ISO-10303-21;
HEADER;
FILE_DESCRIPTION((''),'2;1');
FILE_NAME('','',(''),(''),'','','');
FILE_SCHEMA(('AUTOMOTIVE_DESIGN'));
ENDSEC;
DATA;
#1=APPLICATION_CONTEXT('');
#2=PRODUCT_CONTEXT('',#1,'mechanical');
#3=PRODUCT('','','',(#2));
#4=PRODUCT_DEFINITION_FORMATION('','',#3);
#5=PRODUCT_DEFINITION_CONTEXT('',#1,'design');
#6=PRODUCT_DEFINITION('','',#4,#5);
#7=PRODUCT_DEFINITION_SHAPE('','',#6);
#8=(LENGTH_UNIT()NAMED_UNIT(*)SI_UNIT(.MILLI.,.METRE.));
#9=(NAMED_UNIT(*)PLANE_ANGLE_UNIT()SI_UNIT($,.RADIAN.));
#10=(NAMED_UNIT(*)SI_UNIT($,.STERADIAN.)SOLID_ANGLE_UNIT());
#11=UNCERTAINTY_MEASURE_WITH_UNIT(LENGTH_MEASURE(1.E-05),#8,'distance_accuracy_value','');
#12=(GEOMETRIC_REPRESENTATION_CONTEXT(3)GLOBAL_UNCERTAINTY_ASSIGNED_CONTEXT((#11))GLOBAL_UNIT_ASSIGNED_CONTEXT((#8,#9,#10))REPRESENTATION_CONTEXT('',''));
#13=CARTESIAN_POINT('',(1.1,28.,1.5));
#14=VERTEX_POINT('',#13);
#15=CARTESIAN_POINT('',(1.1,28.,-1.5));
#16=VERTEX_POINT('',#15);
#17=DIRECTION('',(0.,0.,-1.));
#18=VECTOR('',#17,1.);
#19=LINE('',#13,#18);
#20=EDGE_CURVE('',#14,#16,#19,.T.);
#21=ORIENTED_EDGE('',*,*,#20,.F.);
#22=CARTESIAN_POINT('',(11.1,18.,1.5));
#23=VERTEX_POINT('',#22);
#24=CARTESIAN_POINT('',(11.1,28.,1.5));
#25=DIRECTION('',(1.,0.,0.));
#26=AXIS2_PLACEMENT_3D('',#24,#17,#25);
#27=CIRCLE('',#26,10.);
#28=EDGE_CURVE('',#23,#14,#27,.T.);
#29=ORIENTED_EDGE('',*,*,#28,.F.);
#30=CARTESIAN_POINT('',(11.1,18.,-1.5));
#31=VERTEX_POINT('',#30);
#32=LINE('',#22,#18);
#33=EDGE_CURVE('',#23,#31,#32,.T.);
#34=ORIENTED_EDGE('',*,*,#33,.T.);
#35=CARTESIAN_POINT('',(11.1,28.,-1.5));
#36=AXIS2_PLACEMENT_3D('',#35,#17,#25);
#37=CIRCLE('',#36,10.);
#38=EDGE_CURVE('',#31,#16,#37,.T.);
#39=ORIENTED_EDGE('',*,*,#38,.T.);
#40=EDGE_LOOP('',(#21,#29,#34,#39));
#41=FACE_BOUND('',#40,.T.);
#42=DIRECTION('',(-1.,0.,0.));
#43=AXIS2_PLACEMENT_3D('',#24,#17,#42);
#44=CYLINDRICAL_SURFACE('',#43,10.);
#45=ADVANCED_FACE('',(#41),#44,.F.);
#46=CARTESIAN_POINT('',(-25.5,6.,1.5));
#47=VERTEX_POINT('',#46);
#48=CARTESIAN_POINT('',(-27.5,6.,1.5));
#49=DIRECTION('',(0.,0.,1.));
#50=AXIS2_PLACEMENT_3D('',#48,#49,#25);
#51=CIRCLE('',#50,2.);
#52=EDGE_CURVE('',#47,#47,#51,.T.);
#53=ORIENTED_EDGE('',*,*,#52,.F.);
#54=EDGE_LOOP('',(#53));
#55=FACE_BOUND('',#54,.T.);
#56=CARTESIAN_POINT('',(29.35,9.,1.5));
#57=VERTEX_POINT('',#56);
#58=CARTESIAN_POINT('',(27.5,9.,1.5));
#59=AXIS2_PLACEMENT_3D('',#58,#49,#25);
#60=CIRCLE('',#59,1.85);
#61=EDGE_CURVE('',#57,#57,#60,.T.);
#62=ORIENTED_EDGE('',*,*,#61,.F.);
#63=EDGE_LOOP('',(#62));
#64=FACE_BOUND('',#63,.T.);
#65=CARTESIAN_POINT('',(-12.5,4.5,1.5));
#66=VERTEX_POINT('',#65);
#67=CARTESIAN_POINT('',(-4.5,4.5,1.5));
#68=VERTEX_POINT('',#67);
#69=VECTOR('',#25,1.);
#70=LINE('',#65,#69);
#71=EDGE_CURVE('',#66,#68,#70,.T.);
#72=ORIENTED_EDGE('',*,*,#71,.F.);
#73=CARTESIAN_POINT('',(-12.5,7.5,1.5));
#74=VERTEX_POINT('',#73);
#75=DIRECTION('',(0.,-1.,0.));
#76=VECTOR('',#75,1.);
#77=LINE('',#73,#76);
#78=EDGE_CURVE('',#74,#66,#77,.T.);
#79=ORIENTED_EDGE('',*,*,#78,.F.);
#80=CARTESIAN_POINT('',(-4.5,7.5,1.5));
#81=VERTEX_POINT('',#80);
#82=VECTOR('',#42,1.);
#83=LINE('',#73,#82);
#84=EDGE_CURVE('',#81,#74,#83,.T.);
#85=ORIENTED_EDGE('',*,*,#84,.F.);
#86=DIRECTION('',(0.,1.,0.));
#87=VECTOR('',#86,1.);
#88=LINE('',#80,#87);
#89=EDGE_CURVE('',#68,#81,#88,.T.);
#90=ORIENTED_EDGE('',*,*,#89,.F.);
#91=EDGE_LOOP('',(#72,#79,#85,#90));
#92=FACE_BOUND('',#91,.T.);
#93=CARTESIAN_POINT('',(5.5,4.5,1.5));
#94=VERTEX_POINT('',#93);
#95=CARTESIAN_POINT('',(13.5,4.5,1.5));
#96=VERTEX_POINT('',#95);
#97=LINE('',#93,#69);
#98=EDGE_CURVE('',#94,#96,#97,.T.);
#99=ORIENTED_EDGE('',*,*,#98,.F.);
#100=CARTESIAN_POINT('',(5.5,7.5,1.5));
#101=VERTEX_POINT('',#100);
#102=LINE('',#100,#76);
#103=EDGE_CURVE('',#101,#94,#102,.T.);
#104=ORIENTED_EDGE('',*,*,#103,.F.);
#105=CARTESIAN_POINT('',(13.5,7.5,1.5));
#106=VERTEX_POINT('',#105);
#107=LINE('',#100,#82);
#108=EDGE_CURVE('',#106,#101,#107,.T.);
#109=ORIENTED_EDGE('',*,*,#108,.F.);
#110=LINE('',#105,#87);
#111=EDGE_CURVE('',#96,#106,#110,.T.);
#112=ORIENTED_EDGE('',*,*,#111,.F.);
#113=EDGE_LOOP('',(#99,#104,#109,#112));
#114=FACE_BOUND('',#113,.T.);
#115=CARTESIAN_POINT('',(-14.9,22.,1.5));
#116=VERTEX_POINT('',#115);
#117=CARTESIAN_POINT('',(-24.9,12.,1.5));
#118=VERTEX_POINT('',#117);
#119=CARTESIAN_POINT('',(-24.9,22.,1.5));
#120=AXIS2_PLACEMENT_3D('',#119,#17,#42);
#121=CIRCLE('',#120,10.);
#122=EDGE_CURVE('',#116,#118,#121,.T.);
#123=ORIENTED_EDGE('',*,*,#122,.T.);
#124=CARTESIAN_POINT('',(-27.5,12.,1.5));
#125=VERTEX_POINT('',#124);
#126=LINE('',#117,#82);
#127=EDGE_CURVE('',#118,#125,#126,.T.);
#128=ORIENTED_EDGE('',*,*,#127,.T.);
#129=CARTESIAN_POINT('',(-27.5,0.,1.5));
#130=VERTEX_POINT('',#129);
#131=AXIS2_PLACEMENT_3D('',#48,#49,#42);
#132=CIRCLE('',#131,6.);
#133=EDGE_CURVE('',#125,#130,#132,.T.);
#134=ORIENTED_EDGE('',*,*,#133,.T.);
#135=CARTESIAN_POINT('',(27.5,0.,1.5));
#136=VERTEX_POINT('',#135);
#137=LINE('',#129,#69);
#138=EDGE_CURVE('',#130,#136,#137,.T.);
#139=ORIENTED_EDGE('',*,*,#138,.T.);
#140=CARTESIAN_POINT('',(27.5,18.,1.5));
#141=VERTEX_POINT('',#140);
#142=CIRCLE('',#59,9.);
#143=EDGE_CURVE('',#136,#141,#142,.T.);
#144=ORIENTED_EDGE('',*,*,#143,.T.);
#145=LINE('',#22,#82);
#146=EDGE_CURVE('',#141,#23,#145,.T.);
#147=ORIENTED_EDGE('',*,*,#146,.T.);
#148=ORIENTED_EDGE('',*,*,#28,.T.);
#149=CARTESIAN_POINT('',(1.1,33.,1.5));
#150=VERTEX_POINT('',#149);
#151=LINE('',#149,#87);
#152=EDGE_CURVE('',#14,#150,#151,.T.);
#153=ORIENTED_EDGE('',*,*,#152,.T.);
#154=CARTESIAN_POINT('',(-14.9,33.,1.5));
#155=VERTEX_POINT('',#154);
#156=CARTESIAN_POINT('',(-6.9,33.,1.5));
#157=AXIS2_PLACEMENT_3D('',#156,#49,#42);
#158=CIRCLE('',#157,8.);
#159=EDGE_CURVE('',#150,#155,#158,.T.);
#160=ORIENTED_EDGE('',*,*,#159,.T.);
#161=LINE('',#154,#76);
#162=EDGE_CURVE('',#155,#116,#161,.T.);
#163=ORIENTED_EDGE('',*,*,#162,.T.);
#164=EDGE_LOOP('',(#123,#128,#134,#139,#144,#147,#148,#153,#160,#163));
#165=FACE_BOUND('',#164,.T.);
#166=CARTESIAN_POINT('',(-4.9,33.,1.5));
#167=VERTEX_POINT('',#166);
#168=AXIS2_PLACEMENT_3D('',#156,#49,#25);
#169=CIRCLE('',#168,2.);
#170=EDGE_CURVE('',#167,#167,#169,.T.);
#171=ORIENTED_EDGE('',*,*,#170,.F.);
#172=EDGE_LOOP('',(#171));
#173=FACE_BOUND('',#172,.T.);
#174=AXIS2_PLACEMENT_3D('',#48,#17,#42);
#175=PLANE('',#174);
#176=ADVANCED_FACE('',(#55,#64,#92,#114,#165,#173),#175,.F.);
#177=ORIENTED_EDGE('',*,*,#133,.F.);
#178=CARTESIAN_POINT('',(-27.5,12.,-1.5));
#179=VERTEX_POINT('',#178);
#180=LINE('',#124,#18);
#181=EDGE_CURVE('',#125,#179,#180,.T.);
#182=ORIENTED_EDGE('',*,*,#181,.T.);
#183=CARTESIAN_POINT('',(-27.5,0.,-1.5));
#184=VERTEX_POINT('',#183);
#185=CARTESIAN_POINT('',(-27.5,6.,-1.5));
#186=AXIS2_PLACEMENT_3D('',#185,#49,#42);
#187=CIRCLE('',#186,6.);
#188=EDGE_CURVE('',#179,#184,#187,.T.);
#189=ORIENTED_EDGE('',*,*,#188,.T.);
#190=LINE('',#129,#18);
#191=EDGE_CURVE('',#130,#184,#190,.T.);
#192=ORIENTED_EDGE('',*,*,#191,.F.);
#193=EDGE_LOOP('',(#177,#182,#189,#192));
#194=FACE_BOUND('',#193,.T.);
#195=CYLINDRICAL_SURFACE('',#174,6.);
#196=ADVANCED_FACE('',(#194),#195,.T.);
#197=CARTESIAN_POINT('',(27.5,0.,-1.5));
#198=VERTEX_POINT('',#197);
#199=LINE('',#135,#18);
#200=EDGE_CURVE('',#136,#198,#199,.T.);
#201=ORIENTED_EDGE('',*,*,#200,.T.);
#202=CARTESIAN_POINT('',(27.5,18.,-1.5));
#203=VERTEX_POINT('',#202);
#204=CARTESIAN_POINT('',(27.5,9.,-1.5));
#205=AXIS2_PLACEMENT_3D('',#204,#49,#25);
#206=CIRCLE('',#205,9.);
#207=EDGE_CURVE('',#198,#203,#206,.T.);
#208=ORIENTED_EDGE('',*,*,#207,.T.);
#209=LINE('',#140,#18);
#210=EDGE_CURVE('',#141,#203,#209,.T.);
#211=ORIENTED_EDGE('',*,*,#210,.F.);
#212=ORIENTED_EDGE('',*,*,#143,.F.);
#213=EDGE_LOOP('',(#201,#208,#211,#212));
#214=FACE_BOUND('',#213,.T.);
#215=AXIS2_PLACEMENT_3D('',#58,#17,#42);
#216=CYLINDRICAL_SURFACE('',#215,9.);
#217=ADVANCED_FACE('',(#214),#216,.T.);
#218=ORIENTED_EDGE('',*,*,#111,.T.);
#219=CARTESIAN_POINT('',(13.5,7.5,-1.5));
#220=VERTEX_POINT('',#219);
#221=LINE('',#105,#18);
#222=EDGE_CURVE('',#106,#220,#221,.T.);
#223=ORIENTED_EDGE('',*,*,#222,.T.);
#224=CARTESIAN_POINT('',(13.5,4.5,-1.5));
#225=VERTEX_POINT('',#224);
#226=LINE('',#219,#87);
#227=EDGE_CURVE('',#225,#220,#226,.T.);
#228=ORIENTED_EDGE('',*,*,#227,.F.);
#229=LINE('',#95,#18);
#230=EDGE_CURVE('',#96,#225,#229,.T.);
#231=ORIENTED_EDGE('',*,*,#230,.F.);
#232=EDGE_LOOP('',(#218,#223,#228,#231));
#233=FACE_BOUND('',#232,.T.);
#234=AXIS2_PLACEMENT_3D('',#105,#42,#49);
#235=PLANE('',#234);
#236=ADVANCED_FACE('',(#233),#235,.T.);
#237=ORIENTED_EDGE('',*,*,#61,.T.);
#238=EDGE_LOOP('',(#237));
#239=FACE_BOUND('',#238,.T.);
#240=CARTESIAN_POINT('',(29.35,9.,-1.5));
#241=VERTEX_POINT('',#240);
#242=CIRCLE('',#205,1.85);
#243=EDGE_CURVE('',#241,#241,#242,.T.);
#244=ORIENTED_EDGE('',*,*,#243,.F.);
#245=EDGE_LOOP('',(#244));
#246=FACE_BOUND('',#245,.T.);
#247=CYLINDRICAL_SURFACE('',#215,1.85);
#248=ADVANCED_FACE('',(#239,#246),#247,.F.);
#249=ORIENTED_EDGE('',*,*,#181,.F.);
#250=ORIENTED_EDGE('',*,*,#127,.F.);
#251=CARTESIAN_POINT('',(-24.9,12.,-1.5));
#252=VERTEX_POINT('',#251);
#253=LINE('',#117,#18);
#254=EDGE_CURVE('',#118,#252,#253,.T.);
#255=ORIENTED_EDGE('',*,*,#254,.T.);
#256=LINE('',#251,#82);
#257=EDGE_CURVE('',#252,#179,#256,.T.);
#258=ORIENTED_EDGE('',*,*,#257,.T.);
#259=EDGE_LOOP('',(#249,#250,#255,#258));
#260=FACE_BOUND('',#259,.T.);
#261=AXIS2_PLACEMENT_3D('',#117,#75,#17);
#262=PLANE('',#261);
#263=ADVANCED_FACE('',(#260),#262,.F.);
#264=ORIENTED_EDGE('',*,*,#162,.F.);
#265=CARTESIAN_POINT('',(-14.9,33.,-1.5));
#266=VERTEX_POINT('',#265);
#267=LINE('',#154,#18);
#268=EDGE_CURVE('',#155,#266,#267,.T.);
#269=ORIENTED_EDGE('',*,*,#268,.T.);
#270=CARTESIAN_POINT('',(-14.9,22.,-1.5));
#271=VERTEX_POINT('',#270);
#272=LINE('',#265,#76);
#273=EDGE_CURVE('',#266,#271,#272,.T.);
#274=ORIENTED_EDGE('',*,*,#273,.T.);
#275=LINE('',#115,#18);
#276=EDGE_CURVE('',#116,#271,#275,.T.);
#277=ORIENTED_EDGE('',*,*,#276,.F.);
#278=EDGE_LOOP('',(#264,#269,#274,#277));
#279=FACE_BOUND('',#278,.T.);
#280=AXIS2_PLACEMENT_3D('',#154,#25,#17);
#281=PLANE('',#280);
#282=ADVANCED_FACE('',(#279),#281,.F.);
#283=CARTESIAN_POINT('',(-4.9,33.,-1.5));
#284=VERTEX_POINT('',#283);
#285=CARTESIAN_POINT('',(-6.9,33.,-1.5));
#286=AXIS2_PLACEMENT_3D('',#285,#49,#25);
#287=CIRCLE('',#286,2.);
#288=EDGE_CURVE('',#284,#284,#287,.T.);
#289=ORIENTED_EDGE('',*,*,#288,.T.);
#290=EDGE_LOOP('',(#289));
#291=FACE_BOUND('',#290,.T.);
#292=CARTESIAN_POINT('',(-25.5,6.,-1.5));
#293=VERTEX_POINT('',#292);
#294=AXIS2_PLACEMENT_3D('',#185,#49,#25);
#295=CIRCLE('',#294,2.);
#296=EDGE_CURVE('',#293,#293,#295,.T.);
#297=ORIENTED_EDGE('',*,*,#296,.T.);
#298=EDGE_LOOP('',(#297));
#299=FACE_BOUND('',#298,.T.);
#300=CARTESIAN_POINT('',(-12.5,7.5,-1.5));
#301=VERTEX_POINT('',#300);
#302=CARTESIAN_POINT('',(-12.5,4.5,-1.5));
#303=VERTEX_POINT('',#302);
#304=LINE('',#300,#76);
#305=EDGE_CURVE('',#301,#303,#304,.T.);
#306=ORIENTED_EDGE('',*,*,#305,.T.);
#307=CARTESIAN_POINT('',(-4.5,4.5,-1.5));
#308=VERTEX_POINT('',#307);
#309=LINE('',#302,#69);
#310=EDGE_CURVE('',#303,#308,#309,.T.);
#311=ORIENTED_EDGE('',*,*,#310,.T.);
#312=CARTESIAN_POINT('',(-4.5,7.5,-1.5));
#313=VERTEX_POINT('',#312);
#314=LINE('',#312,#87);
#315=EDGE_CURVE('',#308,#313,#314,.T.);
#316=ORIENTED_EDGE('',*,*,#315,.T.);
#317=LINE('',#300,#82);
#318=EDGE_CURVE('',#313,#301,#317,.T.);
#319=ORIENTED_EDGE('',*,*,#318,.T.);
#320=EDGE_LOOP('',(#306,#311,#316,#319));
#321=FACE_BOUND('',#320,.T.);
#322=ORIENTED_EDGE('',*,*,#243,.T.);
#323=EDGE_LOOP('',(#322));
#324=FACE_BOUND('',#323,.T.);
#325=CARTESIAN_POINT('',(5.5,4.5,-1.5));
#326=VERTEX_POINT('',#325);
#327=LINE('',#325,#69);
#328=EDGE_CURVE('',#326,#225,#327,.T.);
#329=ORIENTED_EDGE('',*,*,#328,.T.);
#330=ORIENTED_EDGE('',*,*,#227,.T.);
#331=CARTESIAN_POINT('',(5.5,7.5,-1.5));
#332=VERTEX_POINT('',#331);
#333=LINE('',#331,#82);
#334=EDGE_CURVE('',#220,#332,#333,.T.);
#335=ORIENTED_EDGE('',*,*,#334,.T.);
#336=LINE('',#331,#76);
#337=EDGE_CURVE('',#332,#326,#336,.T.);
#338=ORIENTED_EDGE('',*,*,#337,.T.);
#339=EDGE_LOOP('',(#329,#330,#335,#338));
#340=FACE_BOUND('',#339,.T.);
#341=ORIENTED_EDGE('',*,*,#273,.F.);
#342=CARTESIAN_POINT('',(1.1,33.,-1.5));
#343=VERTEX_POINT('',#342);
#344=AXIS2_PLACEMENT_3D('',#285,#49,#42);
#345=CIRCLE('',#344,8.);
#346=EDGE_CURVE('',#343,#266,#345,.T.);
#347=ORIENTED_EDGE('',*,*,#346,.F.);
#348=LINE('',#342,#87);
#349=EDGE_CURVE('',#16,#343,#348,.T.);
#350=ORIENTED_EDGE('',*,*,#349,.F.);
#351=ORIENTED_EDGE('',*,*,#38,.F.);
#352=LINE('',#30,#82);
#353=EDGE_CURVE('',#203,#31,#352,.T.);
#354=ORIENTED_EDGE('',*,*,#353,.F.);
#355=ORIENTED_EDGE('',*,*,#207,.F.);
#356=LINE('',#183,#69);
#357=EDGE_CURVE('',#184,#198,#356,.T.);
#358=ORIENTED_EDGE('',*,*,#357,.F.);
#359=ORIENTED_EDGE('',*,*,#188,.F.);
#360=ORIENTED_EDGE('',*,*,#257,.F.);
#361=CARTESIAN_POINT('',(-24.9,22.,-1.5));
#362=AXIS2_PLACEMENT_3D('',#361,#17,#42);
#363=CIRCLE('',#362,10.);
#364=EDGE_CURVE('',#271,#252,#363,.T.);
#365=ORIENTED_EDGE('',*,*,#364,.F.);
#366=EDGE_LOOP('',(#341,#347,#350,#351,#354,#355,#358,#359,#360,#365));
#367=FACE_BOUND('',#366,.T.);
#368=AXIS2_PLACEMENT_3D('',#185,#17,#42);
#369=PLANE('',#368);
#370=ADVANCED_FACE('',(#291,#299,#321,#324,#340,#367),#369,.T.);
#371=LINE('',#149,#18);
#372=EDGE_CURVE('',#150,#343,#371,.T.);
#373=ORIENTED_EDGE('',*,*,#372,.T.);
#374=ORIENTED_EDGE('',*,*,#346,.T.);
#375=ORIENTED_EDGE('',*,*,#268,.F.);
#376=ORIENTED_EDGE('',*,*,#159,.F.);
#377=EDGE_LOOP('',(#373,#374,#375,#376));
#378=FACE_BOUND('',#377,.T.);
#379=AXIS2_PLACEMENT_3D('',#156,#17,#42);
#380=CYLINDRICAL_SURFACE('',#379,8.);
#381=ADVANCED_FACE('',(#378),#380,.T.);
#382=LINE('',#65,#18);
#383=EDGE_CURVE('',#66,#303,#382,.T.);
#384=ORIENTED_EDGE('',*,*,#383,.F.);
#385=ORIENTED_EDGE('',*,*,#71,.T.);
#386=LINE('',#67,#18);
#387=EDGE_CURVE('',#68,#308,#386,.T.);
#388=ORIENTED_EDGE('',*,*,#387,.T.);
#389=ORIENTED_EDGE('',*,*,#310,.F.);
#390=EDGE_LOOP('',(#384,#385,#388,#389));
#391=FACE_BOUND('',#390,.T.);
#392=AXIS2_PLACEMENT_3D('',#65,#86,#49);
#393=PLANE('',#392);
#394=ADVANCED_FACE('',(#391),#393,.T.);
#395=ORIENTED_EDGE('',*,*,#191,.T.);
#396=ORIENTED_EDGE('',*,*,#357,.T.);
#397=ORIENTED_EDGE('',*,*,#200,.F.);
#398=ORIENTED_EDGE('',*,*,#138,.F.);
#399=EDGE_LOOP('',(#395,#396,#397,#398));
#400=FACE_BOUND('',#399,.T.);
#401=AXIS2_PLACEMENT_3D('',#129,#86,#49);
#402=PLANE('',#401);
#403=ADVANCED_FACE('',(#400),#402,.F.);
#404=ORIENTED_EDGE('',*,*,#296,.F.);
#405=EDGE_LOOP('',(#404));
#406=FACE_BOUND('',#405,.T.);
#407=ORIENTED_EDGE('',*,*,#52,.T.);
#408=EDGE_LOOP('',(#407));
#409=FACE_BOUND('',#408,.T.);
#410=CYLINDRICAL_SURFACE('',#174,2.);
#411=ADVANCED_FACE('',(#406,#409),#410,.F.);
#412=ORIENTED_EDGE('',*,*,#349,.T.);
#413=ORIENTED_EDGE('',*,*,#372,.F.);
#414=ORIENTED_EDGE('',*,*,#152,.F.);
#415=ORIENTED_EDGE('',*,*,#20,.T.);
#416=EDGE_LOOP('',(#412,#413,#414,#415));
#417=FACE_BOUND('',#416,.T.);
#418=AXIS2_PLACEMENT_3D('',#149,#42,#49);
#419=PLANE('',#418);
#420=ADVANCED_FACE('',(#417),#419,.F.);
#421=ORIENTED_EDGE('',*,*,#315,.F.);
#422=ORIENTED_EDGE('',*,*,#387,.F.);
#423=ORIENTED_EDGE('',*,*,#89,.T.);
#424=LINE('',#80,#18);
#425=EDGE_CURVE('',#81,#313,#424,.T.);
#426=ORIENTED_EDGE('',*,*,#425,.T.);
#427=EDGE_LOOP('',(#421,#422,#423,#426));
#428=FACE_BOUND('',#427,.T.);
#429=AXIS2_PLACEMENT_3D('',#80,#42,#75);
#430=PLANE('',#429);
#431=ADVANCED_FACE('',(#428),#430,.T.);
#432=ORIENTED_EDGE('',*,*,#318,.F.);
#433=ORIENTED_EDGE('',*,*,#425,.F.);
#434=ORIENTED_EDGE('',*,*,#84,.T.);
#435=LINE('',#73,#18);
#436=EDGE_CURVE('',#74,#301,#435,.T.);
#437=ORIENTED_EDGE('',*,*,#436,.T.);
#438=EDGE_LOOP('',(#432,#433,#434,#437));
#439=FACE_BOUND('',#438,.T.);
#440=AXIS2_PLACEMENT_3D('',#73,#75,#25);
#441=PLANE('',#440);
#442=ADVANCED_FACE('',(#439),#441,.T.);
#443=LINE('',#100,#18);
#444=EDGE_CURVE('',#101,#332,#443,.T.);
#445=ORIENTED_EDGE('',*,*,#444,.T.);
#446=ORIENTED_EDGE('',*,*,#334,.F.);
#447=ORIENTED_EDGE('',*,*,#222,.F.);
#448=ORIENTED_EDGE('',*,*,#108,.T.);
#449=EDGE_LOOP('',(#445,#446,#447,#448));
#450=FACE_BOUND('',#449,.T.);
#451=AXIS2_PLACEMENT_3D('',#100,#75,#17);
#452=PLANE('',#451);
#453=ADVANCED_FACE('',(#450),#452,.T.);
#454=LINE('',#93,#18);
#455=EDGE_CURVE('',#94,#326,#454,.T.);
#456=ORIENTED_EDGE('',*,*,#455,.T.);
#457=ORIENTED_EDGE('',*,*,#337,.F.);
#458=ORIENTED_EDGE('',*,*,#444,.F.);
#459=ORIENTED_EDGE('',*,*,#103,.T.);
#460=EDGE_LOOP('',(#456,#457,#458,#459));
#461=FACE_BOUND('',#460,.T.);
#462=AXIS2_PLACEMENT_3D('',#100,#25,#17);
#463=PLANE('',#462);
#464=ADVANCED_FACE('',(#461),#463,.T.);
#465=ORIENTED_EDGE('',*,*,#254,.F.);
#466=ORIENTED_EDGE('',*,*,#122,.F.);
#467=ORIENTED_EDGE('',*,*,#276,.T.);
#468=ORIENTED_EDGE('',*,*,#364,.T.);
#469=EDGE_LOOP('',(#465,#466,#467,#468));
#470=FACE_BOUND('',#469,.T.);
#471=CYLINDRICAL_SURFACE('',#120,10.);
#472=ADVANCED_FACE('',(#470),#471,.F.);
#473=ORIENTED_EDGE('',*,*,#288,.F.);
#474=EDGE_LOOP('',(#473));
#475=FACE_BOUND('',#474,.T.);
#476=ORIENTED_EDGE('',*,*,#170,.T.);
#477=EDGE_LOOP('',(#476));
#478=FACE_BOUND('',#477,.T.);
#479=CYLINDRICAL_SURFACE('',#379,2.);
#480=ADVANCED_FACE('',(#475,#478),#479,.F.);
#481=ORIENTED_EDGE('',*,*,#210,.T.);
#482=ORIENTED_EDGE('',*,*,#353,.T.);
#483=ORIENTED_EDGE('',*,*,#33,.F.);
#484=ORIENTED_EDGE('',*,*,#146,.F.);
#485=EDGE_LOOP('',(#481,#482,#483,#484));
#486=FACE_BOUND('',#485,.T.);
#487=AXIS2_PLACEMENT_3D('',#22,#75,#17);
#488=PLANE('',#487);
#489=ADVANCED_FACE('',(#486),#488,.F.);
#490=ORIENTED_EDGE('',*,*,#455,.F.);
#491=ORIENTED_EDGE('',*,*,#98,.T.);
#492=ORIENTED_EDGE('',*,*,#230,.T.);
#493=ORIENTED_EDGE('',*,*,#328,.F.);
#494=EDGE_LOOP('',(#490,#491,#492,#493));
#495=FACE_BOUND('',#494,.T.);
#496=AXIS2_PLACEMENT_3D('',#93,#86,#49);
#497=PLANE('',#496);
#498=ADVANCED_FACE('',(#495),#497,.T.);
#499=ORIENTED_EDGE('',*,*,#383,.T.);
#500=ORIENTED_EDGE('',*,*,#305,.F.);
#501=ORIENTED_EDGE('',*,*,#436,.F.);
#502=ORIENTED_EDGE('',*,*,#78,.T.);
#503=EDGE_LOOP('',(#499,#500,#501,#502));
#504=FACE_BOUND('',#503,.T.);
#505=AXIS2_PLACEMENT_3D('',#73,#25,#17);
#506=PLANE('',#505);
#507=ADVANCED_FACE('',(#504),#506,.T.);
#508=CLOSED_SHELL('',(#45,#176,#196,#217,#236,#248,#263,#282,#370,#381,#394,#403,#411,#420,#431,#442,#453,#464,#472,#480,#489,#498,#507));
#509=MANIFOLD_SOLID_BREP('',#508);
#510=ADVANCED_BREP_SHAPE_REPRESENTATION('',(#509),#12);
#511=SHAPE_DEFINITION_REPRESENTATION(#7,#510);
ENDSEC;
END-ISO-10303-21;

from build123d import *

# Parameters (mm, degrees)
SKETCH1_R           = 2
SKETCH1_R_2         = 1.85
SKETCH1_W           = 8
SKETCH1_H           = 3
BOSS_EXTRUDE1_DEPTH = 1.5


with BuildPart() as part:
    # Sketch1 → Boss-Extrude1 (new body, symmetric)
    with BuildSketch(Plane.XY):
        with BuildLine():
            Line((-27.5, 0), (27.5, 0))
            ThreePointArc((27.5, 0), (36.5, 9), (27.5, 18))
            Line((27.5, 18), (11.1, 18))
            ThreePointArc((11.1, 18), (4.028932188, 20.928932188), (1.1, 28))
            Line((1.1, 28), (1.1, 33))
            ThreePointArc((1.1, 33), (-6.9, 41), (-14.9, 33))
            Line((-14.9, 33), (-14.9, 22))
            ThreePointArc((-14.9, 22), (-17.828932188, 14.928932188), (-24.9, 12))
            Line((-24.9, 12), (-27.5, 12))
            ThreePointArc((-27.5, 12), (-33.5, 6), (-27.5, 0))
        make_face()
        with Locations((-27.5, 6)):
            Circle(SKETCH1_R, mode=Mode.SUBTRACT)
        with Locations((27.5, 9)):
            Circle(SKETCH1_R_2, mode=Mode.SUBTRACT)
        with Locations((-6.9, 33)):
            Circle(SKETCH1_R, mode=Mode.SUBTRACT)
        with Locations((-8.5, 6)):
            Rectangle(SKETCH1_W, SKETCH1_H, mode=Mode.SUBTRACT)
        with Locations((9.5, 6)):
            Rectangle(SKETCH1_W, SKETCH1_H, mode=Mode.SUBTRACT)
    extrude(amount=BOSS_EXTRUDE1_DEPTH, both=True)


solid = part.part
